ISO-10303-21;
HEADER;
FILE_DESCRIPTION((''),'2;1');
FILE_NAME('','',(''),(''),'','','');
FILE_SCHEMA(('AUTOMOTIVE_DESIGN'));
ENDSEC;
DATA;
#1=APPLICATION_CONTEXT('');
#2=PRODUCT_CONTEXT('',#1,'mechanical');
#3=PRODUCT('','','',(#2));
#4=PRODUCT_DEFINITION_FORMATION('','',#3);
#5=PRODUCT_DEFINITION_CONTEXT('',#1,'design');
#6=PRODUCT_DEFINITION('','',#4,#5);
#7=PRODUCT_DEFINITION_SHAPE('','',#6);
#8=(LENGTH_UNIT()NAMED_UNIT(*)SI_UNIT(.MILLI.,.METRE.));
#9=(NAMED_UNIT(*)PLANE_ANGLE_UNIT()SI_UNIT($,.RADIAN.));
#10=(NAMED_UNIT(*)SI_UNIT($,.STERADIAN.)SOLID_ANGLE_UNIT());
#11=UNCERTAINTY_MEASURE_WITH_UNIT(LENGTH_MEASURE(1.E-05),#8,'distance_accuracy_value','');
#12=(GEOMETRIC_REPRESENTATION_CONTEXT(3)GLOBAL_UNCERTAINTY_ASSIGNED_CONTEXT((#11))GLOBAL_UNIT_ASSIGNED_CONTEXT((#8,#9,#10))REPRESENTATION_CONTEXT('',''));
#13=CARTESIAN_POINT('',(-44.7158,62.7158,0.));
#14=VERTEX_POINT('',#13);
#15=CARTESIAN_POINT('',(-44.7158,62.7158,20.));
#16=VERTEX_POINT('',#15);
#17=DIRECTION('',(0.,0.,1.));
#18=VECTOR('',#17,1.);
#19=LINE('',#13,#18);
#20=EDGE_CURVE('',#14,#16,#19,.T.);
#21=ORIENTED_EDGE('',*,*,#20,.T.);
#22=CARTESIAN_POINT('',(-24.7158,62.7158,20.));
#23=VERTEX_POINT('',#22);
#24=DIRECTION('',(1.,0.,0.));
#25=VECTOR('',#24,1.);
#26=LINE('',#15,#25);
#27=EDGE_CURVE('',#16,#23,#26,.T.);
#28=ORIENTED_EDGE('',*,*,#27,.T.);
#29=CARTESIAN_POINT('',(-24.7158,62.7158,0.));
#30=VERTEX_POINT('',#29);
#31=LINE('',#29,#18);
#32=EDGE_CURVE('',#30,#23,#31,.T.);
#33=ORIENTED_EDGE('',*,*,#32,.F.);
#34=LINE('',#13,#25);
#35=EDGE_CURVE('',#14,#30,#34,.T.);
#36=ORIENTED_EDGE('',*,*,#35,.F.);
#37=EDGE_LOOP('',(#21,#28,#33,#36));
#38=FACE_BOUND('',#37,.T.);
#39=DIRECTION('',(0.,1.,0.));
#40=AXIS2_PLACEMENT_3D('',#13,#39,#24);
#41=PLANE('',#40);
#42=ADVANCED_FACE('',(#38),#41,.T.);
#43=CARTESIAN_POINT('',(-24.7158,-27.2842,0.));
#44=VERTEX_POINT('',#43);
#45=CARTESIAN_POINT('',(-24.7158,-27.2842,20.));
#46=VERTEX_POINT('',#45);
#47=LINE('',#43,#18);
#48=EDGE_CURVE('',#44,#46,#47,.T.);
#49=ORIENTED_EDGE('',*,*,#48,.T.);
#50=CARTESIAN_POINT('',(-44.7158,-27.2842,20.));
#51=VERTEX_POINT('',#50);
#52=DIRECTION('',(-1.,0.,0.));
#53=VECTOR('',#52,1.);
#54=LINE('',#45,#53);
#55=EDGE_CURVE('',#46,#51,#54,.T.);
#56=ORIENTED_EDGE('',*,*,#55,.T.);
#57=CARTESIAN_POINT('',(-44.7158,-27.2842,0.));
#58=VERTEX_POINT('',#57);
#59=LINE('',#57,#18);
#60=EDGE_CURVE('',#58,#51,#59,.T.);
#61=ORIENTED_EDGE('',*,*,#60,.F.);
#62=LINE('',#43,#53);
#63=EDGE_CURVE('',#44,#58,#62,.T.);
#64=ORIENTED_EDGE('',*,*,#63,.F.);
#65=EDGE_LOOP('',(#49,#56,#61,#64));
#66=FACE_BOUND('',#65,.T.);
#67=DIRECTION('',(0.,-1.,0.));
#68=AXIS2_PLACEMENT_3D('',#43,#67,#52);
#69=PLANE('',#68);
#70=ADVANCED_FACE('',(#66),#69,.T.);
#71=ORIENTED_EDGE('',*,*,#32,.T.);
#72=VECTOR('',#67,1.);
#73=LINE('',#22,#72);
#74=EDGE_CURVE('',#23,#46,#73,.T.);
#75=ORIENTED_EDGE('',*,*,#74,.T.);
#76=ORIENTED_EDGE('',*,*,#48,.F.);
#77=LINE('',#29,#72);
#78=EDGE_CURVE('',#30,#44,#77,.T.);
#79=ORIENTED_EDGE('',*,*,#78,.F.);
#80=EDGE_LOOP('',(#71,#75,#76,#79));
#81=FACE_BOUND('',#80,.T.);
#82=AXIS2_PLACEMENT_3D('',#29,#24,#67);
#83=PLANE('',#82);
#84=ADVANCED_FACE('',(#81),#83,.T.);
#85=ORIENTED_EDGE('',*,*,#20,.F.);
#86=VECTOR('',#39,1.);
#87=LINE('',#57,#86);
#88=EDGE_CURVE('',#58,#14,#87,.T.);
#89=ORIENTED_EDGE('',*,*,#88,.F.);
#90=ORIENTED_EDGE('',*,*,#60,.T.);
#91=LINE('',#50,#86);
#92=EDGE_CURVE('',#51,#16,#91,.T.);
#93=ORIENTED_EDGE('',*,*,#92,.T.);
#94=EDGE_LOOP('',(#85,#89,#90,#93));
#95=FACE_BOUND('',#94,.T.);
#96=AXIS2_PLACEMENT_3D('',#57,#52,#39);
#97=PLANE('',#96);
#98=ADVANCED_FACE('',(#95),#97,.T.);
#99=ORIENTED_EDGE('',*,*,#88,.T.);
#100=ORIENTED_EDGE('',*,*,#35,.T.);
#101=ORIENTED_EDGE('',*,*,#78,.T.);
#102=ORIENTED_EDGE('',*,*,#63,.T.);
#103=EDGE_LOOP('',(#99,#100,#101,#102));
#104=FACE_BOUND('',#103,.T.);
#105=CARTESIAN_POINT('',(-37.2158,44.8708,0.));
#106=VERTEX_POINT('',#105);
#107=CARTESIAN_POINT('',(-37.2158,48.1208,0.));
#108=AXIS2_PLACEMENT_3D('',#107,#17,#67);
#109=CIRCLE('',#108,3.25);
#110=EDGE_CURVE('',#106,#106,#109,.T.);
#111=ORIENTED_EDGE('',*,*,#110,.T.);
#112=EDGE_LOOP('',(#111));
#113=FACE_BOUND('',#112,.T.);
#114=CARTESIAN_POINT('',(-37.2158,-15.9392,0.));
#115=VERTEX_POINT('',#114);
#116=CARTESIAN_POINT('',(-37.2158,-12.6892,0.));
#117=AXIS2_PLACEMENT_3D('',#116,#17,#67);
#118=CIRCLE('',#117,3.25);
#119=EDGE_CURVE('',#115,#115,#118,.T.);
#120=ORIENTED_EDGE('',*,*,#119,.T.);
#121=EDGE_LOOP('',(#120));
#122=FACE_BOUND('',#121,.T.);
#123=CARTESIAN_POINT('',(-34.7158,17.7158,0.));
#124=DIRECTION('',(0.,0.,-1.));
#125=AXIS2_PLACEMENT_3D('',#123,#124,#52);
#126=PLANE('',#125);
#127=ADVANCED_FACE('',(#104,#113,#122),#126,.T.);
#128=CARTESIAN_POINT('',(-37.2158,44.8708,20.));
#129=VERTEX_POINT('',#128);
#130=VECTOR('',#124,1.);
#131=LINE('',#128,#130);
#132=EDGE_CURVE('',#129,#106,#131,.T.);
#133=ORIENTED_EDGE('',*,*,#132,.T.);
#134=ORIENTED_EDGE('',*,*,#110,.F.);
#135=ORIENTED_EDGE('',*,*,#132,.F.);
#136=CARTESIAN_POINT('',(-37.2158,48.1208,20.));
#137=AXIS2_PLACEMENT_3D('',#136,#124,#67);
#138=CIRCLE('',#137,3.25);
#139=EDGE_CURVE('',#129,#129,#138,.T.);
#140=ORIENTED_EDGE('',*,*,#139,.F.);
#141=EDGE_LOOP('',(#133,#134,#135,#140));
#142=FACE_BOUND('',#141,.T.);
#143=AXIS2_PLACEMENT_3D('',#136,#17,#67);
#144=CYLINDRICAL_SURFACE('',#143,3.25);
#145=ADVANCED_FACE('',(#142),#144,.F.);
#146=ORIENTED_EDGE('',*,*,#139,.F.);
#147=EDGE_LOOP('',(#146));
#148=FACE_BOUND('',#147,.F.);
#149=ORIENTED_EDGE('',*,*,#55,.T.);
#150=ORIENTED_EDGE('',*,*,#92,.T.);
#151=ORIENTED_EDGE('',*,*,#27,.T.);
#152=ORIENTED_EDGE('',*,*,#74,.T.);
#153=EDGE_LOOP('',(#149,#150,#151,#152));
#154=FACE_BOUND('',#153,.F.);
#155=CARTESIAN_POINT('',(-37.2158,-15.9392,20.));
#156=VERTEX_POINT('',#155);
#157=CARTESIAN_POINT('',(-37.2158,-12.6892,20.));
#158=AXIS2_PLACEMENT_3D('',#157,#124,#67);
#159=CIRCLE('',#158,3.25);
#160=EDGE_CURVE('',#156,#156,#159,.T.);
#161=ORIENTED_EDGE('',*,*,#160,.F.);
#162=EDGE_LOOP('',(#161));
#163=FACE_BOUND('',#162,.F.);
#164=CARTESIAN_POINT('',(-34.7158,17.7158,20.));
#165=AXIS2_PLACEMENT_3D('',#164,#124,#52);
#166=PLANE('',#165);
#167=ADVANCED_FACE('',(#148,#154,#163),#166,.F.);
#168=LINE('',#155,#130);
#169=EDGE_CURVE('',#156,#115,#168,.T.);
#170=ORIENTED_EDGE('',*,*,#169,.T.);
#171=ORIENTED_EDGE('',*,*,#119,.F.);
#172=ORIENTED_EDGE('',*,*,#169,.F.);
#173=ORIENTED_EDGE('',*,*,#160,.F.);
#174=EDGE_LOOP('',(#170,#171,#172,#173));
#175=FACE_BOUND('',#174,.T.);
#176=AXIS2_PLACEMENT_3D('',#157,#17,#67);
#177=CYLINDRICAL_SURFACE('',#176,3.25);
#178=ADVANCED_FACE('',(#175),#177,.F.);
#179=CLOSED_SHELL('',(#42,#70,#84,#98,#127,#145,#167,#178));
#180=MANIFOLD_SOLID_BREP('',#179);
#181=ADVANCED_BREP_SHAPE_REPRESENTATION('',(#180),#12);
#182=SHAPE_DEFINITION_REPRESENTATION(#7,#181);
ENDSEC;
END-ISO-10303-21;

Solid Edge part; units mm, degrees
sketch "Sketch1" plane through (0, 0, 0) normal (0, 0, 1) x (1, 0, 0)
  line L0 (-44.7158, 62.7158) -> (-24.7158, 62.7158)
  line L1 (-24.7158, 62.7158) -> (-24.7158, -27.2842)
  line L2 (-24.7158, -27.2842) -> (-44.7158, -27.2842)
  line L3 (-44.7158, -27.2842) -> (-44.7158, 62.7158)
  dimension "D1" = 20
  dimension "D2" = 90
extrude "Protrusion1" add sketch "Sketch1" along normal blind 20
hole "Hole_1" at (-37.2158, -12.6892, 20) direction (0, 0, -1) diameter 6.5 end up to next
hole "Hole1" at (-37.2158, 48.1208, 20) direction (0, 0, -1) diameter 6.5 end up to next
properties material "Aluminum, 6061-T6"
